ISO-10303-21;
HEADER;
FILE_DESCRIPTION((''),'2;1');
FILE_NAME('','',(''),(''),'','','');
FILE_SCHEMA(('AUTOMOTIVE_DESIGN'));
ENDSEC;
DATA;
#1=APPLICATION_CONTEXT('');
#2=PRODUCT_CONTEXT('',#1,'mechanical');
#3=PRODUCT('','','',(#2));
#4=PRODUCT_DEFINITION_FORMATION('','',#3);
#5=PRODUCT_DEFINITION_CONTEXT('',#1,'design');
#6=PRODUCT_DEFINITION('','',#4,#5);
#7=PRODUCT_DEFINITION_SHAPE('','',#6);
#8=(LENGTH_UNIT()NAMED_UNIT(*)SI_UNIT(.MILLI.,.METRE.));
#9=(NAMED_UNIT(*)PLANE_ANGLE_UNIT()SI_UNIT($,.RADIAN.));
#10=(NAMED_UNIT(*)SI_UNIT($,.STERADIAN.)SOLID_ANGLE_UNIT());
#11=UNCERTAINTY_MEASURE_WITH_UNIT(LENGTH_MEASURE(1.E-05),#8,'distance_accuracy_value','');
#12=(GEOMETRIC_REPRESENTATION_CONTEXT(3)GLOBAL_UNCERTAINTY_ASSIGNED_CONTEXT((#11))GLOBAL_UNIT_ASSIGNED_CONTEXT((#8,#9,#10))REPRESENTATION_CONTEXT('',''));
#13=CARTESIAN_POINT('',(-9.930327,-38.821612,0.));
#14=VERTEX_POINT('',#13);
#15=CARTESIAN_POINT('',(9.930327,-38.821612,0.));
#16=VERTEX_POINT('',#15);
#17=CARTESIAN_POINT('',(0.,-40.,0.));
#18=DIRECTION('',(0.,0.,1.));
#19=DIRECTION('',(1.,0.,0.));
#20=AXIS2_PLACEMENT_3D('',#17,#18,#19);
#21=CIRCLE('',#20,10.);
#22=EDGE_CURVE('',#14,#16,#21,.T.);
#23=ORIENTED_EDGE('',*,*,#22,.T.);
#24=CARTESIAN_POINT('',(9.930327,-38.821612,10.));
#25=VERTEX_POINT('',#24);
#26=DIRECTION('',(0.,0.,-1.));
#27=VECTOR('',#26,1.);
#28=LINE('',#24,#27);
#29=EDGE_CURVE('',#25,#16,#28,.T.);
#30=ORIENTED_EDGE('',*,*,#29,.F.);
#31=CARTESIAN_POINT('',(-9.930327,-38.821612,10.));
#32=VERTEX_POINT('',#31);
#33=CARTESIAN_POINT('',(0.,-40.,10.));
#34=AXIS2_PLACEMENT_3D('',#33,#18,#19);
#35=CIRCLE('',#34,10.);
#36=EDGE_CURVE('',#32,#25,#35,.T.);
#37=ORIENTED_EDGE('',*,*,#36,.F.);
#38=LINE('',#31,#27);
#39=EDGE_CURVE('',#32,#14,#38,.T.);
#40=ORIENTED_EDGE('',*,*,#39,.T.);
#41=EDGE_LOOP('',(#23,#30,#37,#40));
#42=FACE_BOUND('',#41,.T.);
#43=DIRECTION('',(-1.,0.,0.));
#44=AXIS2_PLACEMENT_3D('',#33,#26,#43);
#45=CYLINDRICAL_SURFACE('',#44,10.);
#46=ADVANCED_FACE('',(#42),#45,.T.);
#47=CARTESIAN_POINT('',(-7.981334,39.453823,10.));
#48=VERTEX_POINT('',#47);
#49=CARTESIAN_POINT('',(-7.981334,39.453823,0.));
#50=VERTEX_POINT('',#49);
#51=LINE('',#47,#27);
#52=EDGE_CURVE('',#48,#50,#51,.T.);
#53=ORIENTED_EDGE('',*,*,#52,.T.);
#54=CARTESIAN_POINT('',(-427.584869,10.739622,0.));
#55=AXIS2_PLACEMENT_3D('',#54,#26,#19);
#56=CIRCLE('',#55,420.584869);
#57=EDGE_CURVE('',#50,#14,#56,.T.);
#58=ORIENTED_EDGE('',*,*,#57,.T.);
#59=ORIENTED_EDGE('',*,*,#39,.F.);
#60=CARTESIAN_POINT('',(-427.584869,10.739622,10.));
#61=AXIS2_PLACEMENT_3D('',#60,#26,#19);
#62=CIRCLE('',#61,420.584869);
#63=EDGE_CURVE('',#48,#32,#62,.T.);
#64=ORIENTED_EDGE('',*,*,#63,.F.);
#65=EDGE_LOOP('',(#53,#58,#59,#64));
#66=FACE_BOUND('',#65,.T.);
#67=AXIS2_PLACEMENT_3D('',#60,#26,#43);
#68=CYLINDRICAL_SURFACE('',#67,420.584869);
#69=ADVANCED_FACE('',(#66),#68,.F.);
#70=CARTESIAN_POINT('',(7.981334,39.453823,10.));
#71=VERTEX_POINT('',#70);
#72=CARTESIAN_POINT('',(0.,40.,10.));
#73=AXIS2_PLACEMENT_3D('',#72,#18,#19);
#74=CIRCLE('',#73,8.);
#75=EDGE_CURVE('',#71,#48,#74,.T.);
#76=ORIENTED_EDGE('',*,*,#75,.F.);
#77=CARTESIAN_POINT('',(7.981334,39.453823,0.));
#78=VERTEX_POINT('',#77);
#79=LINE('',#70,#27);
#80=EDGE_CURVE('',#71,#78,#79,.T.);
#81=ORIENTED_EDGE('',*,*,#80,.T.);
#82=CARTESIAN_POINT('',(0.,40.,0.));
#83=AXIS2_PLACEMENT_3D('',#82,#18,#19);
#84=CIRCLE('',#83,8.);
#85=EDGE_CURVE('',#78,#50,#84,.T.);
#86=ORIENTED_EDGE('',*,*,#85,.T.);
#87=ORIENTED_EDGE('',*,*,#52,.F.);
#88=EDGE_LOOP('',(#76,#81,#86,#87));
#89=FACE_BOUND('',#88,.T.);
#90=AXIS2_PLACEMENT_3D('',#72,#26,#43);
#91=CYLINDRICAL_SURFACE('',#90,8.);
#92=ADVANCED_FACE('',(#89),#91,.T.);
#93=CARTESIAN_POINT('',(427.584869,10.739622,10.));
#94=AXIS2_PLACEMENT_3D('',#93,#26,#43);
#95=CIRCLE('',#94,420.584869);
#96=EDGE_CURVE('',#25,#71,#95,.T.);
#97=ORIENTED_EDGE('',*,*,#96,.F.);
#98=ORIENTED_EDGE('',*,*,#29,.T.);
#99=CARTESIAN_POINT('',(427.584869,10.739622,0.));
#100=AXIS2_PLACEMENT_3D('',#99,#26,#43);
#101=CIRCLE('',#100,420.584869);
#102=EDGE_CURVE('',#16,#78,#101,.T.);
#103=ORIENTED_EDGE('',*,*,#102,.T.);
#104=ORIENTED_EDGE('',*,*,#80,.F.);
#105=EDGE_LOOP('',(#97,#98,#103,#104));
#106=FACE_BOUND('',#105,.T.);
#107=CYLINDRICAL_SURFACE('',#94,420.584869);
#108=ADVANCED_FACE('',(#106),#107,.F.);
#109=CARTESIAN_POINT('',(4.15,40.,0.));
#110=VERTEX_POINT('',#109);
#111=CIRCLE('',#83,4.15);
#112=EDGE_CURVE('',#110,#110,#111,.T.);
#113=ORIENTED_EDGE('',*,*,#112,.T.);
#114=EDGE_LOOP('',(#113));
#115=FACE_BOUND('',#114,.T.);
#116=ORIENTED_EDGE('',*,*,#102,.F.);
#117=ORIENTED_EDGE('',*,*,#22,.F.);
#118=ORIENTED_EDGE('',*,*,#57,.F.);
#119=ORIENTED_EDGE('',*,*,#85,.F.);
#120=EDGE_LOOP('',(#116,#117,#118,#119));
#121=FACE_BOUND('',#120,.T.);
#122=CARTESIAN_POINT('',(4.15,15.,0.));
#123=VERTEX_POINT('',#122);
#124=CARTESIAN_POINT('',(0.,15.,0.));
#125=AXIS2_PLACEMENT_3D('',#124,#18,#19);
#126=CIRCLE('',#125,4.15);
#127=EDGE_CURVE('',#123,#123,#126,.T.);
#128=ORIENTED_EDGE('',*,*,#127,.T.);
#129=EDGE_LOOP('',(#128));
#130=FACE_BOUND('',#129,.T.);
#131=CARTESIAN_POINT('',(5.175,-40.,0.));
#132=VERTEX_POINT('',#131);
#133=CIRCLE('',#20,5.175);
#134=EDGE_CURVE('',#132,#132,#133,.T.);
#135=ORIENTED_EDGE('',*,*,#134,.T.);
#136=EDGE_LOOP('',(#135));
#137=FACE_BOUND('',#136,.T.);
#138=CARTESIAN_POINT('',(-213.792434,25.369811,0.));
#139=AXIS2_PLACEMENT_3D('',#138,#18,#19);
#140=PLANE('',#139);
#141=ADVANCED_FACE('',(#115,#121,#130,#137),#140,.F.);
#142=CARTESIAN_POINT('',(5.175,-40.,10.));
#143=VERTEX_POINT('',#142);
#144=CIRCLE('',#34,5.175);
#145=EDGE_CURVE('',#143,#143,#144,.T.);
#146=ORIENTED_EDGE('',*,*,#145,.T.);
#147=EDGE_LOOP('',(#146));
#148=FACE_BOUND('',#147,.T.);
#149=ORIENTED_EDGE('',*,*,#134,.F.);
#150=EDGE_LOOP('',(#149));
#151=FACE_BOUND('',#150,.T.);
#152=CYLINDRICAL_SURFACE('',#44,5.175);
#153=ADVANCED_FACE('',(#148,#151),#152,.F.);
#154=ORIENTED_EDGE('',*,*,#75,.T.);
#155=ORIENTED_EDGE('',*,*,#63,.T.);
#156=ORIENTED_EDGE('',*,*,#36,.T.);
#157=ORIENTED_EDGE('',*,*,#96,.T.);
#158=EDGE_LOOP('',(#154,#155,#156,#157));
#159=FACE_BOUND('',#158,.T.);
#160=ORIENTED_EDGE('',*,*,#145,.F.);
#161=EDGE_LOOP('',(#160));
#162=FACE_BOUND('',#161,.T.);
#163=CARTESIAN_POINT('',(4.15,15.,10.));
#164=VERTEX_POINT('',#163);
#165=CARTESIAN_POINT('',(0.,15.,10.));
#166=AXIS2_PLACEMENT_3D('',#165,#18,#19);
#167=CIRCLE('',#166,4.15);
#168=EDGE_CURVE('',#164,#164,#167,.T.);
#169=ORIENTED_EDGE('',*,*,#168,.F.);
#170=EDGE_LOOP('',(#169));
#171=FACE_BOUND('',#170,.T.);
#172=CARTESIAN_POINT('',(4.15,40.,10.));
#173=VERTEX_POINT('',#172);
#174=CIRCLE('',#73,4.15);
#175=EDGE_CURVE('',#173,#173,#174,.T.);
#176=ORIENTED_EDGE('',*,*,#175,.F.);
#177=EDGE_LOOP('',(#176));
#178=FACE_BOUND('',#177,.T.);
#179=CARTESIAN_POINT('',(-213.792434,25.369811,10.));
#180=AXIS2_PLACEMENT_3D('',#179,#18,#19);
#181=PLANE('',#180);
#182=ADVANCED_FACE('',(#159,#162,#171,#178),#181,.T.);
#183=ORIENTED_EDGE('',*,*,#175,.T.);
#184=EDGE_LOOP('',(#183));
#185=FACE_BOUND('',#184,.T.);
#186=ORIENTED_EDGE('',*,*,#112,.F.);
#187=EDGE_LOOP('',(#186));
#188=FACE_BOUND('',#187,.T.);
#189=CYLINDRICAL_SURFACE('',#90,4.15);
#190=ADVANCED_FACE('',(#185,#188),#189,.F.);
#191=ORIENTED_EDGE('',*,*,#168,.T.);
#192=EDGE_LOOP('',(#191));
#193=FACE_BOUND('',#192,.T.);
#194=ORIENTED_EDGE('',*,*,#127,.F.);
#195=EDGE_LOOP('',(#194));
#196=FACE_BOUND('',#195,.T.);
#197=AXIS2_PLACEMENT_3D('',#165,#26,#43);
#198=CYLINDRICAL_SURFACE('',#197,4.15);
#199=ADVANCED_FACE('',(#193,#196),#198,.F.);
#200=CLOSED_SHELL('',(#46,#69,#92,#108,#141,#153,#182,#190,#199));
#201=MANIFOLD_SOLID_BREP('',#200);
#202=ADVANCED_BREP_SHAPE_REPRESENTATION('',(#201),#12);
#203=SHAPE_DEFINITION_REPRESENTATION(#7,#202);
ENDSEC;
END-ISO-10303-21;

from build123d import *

# Parameters (mm, degrees)
SKETCH1_R   = 5.175
SKETCH1_R_2 = 4.15
CORPO_DEPTH = 10


with BuildPart() as part:
    # Sketch1 → Corpo (new body)
    with BuildSketch(Plane.XY):
        with BuildLine():
            ThreePointArc((7.981333919, 39.4538234), (0, 48), (-7.981333919, 39.4538234))
            ThreePointArc((-7.981333919, 39.4538234), (-7.130314136, 0.270652057), (-9.930327324, -38.821611594))
            ThreePointArc((-9.930327324, -38.821611594), (0, -50), (9.930327324, -38.821611594))
            ThreePointArc((9.930327324, -38.821611594), (7.130314136, 0.270652057), (7.981333919, 39.4538234))
        make_face()
        with Locations((0, -40)):
            Circle(SKETCH1_R, mode=Mode.SUBTRACT)
        with Locations((0, 40)):
            Circle(SKETCH1_R_2, mode=Mode.SUBTRACT)
        with Locations((0, 15)):
            Circle(SKETCH1_R_2, mode=Mode.SUBTRACT)
    extrude(amount=CORPO_DEPTH)


solid = part.part
